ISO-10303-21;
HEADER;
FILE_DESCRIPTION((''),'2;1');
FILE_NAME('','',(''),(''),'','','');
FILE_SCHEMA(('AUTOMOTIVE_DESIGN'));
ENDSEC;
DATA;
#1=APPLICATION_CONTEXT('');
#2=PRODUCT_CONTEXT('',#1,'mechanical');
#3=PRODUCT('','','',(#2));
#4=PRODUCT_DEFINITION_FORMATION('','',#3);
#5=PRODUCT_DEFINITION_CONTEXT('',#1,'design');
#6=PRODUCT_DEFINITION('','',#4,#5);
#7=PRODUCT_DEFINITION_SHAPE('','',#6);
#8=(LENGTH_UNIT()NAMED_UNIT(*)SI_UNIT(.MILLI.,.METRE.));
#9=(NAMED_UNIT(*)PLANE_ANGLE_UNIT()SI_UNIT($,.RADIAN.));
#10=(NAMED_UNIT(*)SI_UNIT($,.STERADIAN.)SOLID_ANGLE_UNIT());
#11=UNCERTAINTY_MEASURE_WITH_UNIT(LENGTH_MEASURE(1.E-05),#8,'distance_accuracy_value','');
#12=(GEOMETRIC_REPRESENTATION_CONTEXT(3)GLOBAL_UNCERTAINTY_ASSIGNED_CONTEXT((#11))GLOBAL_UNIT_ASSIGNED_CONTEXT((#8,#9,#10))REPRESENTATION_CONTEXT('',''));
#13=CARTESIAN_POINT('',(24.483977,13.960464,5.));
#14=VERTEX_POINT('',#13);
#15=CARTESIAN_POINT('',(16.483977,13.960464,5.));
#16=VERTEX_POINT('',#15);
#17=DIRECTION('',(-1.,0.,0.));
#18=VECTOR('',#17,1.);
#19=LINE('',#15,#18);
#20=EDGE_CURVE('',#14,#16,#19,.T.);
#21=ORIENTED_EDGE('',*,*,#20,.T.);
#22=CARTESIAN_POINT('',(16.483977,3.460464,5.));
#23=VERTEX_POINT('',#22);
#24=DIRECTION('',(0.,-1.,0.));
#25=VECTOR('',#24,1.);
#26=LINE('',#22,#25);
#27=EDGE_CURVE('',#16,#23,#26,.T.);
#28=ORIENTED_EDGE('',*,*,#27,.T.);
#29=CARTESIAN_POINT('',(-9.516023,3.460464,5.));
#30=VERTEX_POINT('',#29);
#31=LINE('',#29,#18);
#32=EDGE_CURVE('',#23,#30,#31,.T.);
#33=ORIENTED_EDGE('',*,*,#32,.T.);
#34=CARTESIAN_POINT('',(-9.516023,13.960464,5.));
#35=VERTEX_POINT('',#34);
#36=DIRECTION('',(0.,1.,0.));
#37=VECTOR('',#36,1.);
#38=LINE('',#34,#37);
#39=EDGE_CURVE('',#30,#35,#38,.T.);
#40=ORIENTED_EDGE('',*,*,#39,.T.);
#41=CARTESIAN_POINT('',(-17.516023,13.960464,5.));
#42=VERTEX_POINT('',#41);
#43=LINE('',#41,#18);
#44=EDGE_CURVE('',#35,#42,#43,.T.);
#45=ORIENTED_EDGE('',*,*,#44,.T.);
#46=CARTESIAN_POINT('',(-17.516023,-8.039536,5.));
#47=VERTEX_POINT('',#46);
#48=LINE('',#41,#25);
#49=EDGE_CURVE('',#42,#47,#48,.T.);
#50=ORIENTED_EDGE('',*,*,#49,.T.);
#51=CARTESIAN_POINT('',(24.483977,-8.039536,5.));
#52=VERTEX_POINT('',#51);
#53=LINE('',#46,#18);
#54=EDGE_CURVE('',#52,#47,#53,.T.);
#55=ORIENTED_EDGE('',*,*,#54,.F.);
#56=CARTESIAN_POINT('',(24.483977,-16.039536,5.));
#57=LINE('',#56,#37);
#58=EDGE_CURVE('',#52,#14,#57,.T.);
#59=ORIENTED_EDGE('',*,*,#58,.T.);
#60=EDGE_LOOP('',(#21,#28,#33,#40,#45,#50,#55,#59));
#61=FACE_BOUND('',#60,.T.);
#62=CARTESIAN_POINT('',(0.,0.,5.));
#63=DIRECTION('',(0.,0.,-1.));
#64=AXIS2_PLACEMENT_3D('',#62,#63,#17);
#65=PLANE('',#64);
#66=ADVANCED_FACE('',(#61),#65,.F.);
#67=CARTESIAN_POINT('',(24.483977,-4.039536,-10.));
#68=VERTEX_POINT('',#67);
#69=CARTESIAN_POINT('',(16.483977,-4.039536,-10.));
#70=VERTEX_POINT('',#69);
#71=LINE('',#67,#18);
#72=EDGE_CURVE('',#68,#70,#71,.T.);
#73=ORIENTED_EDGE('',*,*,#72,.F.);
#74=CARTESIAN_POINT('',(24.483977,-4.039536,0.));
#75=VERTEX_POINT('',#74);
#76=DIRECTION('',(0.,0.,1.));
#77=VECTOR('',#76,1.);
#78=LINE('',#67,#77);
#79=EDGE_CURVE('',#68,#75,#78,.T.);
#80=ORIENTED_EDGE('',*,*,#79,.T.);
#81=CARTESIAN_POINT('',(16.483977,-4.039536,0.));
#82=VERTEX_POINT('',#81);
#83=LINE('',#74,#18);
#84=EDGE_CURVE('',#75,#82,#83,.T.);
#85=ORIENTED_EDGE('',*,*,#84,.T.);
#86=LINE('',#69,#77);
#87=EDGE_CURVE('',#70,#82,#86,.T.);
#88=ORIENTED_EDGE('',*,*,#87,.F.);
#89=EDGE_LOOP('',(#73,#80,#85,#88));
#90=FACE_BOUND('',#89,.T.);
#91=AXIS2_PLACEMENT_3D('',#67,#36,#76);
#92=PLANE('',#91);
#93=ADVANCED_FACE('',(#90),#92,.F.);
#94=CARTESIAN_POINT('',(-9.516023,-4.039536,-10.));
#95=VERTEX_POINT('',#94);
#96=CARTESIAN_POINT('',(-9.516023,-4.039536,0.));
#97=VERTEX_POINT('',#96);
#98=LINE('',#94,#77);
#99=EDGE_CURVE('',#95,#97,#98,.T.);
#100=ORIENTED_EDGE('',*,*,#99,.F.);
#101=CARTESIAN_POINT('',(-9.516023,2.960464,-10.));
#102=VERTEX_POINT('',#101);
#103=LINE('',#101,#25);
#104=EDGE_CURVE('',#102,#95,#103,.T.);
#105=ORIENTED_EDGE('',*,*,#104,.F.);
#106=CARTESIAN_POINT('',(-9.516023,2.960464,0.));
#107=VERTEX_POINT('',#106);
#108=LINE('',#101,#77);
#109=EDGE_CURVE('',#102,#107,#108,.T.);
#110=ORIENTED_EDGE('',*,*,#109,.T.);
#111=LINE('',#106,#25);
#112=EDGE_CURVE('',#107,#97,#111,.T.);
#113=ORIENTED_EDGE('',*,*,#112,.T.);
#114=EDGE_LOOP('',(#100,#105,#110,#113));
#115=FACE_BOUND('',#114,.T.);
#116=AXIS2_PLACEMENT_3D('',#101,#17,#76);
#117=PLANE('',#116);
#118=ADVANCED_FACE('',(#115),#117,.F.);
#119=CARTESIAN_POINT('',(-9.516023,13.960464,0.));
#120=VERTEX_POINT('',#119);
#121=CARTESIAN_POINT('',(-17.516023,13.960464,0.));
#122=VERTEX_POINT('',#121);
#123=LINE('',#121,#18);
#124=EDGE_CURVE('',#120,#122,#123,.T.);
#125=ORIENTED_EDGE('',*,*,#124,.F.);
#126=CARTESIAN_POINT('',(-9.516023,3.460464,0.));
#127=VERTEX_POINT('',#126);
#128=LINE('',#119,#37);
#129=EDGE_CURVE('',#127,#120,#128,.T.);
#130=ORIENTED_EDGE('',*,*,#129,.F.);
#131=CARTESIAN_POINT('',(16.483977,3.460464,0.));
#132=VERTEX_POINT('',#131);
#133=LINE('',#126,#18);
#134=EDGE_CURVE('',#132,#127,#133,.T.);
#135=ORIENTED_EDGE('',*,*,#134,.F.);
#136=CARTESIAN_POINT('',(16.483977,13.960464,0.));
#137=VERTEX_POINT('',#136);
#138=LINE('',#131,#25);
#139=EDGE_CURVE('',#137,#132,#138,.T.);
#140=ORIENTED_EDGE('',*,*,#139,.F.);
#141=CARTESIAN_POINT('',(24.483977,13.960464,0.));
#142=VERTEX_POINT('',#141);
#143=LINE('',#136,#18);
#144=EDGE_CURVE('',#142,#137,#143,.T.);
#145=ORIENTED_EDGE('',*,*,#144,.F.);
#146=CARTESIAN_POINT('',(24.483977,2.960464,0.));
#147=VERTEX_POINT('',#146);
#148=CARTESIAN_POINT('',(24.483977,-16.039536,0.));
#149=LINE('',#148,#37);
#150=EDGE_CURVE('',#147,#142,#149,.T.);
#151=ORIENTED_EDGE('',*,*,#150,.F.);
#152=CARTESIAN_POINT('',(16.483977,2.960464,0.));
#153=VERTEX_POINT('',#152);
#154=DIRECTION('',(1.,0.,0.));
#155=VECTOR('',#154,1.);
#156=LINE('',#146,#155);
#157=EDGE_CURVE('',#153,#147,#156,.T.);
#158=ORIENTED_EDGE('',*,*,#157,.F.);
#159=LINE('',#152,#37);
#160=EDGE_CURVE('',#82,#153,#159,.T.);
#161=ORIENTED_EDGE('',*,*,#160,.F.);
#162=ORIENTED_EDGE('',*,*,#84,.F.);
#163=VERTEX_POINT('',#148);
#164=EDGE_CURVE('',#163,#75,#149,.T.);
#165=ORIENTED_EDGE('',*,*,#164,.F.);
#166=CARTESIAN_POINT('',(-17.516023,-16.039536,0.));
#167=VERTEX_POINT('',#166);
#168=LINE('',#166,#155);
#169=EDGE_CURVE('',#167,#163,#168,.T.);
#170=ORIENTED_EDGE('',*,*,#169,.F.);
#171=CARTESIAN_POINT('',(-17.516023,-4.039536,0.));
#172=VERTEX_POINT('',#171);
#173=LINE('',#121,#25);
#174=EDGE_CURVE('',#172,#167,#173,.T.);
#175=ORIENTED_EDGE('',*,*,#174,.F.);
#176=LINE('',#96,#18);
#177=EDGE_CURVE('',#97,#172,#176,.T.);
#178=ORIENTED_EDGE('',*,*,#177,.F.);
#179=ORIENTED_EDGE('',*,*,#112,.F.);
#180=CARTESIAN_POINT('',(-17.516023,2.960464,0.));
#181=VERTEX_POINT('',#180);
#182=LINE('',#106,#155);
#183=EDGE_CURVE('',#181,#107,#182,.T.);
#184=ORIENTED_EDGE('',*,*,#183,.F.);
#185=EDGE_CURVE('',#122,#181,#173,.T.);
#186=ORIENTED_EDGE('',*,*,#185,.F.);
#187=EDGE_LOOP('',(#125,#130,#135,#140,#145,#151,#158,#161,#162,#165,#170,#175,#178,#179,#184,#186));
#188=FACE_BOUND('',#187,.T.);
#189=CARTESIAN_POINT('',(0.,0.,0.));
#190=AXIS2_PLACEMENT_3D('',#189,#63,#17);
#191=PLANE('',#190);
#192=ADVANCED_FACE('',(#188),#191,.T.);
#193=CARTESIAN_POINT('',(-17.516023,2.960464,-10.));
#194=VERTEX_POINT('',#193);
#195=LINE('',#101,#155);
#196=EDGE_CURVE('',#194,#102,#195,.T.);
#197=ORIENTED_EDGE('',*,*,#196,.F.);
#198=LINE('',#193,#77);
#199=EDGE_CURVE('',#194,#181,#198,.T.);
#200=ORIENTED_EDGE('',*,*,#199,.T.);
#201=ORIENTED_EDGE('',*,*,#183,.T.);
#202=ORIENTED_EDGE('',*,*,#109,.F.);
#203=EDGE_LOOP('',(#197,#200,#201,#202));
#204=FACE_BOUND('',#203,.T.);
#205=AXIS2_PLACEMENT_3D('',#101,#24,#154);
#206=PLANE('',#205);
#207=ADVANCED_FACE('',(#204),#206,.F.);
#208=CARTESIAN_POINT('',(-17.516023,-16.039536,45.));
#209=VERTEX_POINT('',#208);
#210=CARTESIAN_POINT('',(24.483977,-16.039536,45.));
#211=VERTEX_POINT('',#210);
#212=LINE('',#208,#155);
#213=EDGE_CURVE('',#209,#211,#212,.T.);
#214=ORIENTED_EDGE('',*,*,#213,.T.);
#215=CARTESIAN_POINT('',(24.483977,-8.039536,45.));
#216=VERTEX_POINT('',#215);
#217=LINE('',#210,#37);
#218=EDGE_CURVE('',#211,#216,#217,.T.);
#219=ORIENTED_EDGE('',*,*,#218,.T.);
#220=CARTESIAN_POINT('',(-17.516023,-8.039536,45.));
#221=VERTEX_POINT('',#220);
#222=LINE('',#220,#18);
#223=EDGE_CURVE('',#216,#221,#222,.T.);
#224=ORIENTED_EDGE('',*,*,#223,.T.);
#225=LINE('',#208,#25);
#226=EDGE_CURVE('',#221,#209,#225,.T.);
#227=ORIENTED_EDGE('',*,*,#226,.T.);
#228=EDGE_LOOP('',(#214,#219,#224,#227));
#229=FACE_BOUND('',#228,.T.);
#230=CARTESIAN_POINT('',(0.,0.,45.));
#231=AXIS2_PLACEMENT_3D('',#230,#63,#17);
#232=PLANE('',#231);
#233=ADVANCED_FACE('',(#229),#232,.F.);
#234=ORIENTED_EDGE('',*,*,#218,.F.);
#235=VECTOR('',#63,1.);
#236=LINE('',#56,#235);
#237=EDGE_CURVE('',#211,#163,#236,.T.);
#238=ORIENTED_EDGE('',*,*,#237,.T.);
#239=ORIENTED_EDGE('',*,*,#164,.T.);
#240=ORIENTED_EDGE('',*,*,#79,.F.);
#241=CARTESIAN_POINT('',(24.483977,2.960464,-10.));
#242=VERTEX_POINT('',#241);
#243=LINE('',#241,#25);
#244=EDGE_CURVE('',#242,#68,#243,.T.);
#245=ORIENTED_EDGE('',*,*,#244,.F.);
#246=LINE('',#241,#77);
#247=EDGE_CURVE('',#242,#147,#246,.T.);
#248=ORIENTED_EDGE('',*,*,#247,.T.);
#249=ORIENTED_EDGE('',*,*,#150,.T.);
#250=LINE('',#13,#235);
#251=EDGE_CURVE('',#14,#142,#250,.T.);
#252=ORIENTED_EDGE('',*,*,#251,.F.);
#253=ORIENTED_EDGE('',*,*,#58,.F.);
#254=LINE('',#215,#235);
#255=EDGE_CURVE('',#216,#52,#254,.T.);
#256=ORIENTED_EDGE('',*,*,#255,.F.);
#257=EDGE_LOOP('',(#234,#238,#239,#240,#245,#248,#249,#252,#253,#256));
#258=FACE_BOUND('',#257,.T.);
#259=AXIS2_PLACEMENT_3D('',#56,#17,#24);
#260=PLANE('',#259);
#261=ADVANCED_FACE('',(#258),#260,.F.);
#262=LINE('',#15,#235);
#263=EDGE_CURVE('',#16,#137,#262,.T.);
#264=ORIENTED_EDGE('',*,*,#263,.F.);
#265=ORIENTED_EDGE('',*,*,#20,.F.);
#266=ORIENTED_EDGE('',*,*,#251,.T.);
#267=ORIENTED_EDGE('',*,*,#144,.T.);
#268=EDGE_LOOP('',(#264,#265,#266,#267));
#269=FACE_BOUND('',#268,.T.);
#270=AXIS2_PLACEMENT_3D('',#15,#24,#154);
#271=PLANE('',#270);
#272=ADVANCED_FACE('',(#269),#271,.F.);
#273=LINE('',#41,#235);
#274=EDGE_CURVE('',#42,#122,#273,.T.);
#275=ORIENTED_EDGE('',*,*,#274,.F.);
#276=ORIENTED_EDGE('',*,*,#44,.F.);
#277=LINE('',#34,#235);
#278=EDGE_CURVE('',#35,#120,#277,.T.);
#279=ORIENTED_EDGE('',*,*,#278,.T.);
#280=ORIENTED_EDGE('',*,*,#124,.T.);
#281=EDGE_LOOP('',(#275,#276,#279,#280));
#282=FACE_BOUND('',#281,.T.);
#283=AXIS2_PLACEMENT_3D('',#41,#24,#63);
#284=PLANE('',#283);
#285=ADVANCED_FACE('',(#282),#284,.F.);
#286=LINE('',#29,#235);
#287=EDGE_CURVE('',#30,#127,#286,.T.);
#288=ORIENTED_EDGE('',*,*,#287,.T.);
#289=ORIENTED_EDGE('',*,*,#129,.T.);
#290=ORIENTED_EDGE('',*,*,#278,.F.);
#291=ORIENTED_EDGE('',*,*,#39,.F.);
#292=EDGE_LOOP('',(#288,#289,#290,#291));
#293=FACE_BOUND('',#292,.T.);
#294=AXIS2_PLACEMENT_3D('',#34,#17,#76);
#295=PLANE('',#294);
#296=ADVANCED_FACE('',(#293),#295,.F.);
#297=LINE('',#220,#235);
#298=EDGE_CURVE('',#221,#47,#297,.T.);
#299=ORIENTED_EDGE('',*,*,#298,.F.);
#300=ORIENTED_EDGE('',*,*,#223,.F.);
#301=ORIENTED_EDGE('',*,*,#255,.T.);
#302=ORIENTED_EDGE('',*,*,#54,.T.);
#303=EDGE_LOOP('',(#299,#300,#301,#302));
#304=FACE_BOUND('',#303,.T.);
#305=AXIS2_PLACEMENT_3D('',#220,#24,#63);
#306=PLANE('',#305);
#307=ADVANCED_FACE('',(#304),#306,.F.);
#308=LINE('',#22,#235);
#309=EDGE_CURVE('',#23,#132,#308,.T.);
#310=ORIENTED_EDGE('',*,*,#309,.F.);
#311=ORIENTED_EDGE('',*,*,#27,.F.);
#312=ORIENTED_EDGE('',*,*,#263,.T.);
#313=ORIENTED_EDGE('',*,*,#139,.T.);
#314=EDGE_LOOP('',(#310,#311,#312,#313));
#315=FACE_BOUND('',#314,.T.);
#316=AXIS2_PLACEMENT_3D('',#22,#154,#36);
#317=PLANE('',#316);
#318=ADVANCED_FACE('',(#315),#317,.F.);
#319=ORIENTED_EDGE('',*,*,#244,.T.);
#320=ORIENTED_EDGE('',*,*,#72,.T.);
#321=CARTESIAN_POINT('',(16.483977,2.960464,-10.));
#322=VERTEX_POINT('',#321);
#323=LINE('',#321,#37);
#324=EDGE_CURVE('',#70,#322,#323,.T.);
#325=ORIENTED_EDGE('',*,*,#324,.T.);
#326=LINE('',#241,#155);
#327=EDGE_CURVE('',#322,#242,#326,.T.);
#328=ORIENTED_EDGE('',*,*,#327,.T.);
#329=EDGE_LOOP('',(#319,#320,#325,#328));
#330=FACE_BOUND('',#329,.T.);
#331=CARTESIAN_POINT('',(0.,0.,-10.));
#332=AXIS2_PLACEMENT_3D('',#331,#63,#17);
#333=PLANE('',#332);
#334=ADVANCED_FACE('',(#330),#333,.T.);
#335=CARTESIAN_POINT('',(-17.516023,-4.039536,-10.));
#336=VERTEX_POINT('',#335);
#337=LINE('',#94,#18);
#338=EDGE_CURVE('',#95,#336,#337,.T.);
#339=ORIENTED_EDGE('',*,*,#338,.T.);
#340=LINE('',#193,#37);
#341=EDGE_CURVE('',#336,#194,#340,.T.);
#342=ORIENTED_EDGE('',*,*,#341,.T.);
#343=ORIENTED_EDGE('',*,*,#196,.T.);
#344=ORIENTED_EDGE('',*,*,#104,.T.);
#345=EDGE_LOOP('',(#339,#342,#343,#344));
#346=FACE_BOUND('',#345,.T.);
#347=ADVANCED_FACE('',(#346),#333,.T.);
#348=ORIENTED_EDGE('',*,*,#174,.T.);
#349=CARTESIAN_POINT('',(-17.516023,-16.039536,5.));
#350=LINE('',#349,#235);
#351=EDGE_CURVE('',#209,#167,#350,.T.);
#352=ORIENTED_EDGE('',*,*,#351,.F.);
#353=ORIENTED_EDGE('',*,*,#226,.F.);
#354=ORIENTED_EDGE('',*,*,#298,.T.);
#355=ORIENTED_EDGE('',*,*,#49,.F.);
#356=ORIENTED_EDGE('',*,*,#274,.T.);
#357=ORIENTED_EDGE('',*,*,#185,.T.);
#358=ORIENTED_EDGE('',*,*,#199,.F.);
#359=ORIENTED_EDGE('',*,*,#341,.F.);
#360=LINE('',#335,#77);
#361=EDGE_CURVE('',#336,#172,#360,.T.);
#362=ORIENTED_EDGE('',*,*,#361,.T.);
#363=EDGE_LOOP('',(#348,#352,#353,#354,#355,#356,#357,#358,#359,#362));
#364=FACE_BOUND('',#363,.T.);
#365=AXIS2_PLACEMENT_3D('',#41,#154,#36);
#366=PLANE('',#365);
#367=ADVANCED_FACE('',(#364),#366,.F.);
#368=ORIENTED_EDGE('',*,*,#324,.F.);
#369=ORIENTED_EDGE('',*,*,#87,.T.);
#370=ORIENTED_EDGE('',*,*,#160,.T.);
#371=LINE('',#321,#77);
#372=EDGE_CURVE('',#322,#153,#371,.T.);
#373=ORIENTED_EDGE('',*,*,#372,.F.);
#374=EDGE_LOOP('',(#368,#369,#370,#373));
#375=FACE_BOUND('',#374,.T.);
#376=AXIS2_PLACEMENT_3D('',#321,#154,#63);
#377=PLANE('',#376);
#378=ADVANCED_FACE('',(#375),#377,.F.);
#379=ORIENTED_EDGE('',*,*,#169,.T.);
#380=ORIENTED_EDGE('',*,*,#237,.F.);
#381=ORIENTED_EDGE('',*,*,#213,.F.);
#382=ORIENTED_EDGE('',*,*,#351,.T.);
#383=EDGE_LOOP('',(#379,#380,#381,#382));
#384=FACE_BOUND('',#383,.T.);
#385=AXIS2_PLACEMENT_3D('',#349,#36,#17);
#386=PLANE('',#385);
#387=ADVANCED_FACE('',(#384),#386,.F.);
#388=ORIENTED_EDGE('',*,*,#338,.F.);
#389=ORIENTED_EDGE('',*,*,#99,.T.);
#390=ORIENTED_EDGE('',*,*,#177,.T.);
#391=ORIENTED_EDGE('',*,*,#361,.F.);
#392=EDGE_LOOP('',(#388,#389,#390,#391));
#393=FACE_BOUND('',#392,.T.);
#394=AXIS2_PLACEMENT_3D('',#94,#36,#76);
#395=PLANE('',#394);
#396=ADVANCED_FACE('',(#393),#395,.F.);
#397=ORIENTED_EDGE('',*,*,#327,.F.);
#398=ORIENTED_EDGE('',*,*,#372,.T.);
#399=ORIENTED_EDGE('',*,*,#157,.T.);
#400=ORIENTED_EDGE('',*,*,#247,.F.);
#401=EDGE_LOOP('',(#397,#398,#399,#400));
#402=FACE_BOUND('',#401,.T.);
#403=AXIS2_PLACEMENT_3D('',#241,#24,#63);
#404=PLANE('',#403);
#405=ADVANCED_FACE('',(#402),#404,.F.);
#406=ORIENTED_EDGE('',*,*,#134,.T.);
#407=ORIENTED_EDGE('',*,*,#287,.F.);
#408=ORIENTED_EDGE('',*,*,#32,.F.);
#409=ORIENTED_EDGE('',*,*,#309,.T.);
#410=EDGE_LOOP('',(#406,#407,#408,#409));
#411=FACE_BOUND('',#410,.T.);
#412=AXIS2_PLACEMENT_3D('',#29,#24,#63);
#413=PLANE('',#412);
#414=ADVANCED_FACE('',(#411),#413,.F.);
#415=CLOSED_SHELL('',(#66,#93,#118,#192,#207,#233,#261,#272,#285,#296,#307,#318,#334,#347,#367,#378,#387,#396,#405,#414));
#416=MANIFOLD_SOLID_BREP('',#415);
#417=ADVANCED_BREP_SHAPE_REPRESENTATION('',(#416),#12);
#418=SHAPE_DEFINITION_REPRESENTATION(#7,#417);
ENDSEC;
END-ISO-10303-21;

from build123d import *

# Parameters (mm, degrees)
BOSS_EXTRUDE1_DEPTH = 5
SKETCH2_W           = 8
SKETCH2_H           = 7
BOSS_EXTRUDE2_DEPTH = 10
SKETCH3_W           = 42
SKETCH3_H           = 8
BOSS_EXTRUDE3_DEPTH = 40


with BuildPart() as part:
    # Sketch1 → Boss-Extrude1 (new body)
    with BuildSketch(Plane.XY):
        Polygon((-17.516022594, -16.039535536), (24.483977406, -16.039535536), (24.483977406, 13.960464464), (16.483977406, 13.960464464), (16.483977406, 3.460464464), (-9.516022594, 3.460464464), (-9.516022594, 13.960464464), (-17.516022594, 13.960464464), align=None)
    extrude(amount=BOSS_EXTRUDE1_DEPTH)

    # Sketch2 → Boss-Extrude2 (add)
    with BuildSketch(Plane(origin=(0, 0, 0), x_dir=(-1, 0, 0), z_dir=(0, 0, -1))):
        with Locations((-20.483977406, -0.539535536)):
            Rectangle(SKETCH2_W, SKETCH2_H)
        with Locations((13.516022594, -0.539535536)):
            Rectangle(SKETCH2_W, SKETCH2_H)
    extrude(amount=BOSS_EXTRUDE2_DEPTH)

    # Sketch3 → Boss-Extrude3 (add)
    with BuildSketch(Plane.XY.offset(5)):
        with Locations((3.483977406, -12.039535536)):
            Rectangle(SKETCH3_W, SKETCH3_H)
    extrude(amount=BOSS_EXTRUDE3_DEPTH)


solid = part.part
